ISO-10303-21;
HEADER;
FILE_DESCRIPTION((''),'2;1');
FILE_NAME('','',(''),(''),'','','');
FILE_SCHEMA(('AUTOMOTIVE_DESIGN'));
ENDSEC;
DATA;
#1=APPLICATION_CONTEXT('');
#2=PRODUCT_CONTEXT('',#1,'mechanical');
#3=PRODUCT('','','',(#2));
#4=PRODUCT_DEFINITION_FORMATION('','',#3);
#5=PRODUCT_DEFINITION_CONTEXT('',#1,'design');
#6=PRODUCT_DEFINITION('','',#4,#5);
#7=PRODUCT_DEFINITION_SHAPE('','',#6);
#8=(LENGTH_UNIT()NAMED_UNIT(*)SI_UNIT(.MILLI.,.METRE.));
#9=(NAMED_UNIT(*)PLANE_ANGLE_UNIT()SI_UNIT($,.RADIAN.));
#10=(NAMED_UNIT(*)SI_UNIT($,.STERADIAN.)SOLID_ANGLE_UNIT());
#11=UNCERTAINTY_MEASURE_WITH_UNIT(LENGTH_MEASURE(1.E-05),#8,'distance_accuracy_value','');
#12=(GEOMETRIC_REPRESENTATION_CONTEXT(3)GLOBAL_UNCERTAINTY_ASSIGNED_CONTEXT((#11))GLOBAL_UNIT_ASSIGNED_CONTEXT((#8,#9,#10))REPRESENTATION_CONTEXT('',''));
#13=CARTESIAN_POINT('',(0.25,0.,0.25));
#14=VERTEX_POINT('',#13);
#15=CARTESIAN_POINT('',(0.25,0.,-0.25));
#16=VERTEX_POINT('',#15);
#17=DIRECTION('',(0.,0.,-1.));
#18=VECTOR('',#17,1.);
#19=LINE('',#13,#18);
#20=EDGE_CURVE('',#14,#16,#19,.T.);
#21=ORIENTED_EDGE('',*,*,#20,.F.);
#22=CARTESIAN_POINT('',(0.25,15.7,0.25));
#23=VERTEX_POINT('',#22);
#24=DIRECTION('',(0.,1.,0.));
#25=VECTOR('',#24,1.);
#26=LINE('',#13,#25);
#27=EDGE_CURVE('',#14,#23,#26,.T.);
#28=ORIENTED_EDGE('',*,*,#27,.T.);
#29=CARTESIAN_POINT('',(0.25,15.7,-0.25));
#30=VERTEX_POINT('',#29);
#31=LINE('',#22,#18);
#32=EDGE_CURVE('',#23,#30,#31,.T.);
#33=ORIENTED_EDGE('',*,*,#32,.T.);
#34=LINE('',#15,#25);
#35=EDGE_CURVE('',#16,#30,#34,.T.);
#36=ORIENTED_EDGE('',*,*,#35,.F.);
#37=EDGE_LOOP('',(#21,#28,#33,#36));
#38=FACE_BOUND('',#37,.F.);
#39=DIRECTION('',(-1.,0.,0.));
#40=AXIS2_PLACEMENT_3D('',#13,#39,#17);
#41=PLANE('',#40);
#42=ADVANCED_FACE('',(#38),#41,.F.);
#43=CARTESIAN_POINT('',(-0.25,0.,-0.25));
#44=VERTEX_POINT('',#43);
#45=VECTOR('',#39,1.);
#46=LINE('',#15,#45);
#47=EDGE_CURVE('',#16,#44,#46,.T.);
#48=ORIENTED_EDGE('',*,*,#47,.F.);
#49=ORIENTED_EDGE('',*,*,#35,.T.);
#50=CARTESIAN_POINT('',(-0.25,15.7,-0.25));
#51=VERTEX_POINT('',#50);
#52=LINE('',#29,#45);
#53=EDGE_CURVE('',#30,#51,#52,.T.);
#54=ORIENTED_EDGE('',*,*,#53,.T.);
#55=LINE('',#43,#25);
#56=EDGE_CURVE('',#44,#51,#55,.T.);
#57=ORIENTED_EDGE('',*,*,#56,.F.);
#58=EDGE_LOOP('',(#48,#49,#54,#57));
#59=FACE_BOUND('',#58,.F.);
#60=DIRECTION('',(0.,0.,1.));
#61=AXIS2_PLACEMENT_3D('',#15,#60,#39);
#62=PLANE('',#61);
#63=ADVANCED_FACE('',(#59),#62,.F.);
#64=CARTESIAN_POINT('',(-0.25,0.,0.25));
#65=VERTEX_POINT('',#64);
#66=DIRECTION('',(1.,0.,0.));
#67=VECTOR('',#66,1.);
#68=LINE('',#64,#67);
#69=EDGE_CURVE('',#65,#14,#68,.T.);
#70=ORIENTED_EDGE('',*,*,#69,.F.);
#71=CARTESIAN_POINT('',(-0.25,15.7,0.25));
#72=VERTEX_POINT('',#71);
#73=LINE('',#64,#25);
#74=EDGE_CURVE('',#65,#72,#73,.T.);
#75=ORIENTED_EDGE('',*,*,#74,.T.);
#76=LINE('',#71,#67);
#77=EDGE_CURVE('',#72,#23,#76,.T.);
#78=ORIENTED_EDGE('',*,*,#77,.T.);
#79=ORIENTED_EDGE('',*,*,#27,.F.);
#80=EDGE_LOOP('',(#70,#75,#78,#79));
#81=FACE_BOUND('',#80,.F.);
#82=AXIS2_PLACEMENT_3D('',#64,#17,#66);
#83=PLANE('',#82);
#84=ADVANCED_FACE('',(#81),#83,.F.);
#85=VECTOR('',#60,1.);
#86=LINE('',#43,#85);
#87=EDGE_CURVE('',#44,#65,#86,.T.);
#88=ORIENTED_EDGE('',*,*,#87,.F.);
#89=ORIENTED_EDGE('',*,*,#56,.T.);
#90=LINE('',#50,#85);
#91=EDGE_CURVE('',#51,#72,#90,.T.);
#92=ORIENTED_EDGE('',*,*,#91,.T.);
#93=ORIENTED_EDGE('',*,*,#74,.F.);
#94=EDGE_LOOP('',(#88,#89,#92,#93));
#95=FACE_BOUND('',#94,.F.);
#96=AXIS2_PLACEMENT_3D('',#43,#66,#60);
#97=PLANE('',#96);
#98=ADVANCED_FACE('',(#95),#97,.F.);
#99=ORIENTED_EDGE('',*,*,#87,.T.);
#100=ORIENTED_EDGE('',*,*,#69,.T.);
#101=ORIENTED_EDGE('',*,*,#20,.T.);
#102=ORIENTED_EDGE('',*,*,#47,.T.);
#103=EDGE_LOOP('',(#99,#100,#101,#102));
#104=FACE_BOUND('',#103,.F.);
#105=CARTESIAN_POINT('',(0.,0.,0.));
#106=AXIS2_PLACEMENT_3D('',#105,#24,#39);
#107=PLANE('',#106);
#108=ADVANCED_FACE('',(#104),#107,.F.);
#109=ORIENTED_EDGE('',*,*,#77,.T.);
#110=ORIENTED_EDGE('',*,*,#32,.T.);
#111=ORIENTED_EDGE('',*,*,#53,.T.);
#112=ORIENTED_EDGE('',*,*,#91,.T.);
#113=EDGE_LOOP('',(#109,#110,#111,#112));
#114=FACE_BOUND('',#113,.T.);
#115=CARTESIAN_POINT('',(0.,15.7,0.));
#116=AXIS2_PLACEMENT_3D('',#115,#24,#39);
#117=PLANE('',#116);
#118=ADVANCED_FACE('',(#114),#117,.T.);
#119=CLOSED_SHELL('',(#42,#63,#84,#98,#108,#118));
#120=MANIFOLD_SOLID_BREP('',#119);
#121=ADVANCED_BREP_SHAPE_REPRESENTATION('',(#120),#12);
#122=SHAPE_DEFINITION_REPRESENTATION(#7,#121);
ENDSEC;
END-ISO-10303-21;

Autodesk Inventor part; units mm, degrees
ref_plane "YZ Plane" through (0, 0, 0) normal (1, 0, 0) x (0, 1, 0)
ref_plane "XZ Plane" through (0, 0, 0) normal (0, 1, 0) x (-1, 0, 0)
ref_plane "XY Plane" through (0, 0, 0) normal (0, 0, 1) x (1, 0, 0)
sketch "Sketch1" plane through (0, 0, 0) normal (0, 1, 0) x (-1, 0, 0)
  line L0 (0.25, 0.25) -> (-0.25, 0.25)
  line L1 (-0.25, 0.25) -> (-0.25, -0.25)
  line L2 (-0.25, -0.25) -> (0.25, -0.25)
  line L3 (0.25, -0.25) -> (0.25, 0.25)
  line L4 (0.25, 0.25) -> (-0.25, -0.25) construction
  line L5 (-0.25, 0.25) -> (0.25, -0.25) construction
  point P0 (0, 0)
  dimension "d0" = 0.5
  dimension "d1" = 0.5
extrude "Extrusion1" add sketch "Sketch1" along normal blind 15.7
properties part number "led-wire-long"
